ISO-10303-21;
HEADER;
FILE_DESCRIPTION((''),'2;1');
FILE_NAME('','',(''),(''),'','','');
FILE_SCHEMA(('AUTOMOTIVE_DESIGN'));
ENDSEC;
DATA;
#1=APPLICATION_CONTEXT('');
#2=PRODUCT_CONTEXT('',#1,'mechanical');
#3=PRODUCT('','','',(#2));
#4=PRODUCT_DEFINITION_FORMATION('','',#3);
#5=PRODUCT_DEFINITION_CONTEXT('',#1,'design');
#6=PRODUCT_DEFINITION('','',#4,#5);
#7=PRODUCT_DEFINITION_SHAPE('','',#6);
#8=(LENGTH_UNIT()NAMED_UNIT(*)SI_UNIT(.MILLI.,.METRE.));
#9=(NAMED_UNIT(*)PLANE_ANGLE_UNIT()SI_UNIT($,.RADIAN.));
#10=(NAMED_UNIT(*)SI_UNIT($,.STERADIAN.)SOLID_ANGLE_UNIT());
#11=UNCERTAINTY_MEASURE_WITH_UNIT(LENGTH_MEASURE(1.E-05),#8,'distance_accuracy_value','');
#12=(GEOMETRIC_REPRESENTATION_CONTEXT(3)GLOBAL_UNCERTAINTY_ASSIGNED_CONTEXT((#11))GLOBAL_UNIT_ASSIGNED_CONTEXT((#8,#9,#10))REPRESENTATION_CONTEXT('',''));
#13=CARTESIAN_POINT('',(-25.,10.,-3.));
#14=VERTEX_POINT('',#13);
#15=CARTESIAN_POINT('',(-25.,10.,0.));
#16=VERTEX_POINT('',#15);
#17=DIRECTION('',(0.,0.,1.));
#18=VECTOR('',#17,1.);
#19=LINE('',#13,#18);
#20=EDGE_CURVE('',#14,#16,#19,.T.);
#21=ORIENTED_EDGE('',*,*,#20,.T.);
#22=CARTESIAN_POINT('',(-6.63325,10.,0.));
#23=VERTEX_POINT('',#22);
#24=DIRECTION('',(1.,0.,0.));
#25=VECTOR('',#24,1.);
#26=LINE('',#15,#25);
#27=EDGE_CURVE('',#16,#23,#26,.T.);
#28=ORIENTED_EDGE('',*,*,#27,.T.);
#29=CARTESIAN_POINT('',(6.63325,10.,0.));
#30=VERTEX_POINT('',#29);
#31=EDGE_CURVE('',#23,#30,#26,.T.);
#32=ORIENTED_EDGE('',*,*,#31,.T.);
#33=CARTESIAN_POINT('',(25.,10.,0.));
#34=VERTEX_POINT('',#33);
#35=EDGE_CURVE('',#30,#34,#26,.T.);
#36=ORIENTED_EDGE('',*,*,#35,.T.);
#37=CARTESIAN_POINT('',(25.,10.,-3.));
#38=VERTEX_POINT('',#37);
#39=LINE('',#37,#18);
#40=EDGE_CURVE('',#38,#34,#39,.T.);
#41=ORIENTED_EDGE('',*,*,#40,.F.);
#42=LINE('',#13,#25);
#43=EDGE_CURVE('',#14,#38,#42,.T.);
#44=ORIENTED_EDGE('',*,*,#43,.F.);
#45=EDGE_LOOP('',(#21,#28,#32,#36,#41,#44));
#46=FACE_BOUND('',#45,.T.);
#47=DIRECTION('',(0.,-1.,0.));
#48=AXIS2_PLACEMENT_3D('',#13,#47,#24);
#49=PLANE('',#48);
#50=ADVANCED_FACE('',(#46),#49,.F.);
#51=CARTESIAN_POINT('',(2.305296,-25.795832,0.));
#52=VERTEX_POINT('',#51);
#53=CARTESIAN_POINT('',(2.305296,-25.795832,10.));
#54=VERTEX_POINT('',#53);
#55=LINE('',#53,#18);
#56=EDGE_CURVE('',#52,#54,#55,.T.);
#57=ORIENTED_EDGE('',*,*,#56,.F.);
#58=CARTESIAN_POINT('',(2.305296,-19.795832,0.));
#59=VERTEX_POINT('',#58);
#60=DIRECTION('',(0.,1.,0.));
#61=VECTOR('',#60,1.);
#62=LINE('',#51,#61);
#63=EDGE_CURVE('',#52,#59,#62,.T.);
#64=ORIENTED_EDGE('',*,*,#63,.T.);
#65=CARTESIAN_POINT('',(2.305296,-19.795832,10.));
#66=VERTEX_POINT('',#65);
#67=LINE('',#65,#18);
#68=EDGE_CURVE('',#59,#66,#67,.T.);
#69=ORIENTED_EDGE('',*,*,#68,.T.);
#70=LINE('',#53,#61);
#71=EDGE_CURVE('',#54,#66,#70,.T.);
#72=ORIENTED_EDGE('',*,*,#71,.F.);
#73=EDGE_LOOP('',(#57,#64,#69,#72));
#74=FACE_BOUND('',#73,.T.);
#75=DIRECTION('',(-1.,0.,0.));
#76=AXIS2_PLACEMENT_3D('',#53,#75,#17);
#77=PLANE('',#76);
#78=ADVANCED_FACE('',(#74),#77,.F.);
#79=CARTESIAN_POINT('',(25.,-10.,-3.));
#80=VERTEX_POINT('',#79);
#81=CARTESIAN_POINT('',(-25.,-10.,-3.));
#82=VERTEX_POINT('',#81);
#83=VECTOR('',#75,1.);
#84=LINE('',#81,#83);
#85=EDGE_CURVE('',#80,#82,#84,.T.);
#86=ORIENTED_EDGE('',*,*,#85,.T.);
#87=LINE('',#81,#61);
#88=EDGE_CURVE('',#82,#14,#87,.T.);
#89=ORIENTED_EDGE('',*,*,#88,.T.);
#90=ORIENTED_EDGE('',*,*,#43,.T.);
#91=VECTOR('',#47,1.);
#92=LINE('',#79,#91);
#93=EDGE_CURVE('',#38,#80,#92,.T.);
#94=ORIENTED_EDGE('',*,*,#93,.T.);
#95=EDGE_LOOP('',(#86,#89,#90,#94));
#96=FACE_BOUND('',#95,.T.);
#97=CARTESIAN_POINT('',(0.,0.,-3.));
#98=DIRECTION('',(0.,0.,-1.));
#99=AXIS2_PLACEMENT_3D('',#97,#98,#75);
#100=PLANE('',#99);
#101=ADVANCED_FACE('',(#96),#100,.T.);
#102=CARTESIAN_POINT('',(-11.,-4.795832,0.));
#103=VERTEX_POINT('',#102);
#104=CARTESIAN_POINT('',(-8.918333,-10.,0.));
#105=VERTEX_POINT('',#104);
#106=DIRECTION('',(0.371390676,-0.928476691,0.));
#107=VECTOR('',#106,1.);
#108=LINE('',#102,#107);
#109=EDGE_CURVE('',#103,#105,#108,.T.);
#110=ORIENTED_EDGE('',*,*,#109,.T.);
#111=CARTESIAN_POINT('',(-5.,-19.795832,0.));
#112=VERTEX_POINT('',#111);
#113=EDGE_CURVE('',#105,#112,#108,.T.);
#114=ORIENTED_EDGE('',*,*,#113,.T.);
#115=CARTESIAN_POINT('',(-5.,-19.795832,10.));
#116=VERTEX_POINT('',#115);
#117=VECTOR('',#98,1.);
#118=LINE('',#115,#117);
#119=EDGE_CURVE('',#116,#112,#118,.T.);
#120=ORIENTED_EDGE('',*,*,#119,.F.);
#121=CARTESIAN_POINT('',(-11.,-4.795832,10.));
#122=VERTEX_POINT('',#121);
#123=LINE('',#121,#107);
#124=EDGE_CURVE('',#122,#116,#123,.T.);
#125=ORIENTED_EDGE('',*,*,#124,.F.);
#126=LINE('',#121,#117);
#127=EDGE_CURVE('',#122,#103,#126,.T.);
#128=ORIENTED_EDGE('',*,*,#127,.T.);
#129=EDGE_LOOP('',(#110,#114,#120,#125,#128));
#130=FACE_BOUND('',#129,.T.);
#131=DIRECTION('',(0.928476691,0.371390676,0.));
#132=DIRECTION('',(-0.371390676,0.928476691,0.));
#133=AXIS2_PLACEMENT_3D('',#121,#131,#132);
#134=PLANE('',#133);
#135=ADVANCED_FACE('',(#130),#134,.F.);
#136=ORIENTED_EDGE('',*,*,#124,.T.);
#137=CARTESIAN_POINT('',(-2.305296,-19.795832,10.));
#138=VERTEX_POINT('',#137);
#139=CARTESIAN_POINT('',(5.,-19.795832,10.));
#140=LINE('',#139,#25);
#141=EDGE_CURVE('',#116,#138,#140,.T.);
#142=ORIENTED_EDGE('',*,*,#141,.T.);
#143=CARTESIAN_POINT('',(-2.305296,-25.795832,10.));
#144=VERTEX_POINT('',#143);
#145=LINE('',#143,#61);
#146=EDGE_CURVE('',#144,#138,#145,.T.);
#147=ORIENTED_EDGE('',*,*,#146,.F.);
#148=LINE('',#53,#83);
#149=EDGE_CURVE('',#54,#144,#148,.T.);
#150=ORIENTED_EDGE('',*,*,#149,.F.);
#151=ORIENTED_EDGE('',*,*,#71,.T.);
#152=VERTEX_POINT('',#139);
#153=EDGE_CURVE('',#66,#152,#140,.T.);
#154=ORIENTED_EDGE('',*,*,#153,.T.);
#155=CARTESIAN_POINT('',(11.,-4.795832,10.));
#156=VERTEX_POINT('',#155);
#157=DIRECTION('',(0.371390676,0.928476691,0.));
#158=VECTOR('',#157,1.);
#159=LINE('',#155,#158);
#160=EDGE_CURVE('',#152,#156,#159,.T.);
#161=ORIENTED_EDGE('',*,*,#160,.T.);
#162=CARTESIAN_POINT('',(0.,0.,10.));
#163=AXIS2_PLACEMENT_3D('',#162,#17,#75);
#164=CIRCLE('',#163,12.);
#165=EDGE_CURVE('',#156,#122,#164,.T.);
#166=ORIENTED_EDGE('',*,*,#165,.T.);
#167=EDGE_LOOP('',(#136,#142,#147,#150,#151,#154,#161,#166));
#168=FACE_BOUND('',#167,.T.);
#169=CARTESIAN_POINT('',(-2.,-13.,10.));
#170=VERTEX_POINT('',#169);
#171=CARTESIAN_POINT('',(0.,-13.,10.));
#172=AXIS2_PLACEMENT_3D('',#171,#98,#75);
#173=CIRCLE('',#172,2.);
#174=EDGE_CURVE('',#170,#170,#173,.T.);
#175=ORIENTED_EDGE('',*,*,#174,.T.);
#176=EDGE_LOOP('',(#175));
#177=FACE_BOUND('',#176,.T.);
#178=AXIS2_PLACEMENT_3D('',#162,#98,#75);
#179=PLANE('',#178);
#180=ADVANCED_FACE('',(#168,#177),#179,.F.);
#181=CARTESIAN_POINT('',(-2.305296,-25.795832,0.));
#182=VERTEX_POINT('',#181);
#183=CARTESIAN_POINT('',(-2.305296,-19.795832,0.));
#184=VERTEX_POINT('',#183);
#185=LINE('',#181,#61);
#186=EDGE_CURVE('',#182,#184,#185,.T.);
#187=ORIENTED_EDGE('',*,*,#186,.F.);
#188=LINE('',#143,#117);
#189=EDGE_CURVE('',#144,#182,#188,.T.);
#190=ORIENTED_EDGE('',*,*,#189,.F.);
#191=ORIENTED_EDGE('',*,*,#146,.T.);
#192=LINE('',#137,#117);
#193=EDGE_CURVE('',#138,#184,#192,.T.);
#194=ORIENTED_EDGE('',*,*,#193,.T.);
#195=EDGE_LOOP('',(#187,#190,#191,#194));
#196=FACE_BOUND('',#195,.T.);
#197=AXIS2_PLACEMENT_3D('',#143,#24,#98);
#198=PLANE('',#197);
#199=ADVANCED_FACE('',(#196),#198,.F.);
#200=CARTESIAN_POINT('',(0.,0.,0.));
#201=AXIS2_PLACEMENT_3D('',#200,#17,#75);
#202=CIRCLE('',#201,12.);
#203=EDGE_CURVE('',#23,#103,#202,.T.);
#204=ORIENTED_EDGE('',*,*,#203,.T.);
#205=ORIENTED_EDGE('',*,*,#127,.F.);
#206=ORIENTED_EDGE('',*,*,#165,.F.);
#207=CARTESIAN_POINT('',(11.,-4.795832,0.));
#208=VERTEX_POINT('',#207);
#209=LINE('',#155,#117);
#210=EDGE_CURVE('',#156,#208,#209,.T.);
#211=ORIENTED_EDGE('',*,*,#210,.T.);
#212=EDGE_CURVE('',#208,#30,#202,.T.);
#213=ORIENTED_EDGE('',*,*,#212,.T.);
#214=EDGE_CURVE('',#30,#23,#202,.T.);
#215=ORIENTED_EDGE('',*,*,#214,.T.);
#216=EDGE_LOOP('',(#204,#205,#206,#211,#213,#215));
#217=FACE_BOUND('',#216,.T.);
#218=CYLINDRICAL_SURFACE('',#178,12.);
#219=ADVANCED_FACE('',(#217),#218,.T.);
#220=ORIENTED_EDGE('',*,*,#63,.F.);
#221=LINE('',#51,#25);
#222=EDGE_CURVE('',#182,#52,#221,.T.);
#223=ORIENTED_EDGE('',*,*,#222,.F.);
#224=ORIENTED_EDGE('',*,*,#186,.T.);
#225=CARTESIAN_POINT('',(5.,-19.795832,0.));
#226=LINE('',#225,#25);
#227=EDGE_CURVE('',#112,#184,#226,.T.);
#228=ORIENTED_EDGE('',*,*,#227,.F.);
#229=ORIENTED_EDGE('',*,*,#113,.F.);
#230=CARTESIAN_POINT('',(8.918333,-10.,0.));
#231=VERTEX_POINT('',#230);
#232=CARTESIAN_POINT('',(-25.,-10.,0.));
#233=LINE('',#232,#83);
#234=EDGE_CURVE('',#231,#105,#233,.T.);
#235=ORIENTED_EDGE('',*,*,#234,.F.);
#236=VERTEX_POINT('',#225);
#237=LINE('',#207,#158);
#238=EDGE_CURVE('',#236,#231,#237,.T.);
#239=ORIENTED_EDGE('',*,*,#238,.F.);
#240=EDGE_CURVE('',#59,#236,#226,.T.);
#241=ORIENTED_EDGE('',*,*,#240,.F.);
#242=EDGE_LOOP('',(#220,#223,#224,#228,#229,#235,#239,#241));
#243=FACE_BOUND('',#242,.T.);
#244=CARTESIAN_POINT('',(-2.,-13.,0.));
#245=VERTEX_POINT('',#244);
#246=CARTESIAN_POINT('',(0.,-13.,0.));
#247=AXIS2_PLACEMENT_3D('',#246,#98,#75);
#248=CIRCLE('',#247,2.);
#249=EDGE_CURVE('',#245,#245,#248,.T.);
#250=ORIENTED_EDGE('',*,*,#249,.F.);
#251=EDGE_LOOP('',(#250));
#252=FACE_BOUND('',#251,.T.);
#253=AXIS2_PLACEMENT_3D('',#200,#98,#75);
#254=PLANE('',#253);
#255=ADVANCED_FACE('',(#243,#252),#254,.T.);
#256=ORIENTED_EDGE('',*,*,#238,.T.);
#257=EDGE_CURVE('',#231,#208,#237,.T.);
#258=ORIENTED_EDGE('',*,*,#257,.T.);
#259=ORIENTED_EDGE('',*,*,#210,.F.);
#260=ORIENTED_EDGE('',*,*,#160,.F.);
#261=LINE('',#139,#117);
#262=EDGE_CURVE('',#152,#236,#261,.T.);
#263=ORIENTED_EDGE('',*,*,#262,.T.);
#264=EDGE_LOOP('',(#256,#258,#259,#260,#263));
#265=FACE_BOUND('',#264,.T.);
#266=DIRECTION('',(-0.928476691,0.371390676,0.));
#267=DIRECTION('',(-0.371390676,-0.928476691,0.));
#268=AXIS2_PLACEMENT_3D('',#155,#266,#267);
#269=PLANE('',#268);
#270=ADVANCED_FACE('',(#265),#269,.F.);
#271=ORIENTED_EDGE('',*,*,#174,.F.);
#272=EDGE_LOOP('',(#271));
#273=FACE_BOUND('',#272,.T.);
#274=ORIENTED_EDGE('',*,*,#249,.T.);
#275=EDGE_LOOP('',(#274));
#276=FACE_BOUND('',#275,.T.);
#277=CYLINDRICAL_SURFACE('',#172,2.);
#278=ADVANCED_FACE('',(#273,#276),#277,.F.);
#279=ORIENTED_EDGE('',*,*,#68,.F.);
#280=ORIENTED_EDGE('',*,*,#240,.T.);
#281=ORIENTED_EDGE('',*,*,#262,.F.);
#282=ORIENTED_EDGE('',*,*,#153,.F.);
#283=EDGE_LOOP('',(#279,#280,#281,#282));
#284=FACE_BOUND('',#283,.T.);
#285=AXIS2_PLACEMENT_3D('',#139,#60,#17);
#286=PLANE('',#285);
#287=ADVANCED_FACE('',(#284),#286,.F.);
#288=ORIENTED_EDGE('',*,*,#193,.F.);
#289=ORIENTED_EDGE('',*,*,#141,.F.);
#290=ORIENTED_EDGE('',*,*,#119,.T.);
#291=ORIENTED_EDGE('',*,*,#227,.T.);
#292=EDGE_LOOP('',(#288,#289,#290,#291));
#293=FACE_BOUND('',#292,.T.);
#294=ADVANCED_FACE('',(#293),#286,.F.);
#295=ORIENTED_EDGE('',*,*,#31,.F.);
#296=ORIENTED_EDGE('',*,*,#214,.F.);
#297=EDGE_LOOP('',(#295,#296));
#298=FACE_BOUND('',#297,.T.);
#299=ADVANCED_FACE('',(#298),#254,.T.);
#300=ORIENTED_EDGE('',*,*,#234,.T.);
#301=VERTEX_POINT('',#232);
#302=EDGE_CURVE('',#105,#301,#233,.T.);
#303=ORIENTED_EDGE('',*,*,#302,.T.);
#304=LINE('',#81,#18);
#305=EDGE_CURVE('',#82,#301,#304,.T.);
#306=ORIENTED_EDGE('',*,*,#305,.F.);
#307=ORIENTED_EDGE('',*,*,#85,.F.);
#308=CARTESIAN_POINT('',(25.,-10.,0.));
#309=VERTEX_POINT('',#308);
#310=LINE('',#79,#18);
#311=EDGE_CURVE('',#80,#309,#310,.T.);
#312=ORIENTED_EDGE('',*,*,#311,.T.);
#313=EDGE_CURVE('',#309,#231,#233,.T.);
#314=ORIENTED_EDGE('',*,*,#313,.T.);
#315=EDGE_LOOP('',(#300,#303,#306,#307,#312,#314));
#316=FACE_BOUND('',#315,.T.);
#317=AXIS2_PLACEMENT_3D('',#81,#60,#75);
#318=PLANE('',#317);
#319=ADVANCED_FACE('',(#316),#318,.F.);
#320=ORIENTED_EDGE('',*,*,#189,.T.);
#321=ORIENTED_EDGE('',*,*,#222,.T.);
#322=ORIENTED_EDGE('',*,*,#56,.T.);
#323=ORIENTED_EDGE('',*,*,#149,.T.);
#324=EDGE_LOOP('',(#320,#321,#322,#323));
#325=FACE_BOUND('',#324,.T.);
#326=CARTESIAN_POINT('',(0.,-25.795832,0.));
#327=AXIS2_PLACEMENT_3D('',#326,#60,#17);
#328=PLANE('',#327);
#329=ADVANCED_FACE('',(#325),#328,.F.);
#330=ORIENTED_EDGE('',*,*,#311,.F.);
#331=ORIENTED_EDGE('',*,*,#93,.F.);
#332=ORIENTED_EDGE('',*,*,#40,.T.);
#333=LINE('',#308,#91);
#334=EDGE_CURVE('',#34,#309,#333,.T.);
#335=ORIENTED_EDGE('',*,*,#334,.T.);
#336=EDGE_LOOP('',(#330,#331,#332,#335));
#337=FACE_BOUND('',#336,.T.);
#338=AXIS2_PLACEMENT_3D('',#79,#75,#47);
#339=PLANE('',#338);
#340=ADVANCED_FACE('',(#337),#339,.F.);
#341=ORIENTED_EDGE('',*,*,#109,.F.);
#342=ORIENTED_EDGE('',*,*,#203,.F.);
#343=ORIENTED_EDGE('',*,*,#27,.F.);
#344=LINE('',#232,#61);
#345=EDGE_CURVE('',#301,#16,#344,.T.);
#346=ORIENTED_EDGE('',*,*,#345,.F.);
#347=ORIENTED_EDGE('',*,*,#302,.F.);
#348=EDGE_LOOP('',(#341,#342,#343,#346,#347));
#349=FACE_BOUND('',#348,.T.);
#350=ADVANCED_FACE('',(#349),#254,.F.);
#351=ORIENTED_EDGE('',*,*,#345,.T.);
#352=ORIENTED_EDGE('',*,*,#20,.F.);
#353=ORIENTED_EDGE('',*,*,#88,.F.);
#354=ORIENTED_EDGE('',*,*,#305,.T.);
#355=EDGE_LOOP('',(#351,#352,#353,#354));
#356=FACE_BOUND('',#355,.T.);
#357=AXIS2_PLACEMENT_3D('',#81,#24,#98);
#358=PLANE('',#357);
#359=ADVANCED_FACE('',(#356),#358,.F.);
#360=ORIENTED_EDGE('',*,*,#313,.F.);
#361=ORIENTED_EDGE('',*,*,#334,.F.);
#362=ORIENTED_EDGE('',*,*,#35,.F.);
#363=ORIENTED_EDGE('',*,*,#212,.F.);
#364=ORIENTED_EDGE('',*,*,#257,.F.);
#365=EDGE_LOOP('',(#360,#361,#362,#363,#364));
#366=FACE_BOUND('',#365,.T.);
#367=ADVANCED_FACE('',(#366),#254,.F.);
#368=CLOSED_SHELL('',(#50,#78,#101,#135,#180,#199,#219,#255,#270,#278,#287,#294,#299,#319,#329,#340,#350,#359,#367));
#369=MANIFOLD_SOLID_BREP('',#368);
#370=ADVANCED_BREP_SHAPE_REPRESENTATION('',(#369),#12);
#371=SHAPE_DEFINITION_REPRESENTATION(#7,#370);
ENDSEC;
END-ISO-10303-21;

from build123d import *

# Parameters (mm, degrees)
BOSS_EXTRU_1_DEPTH      = 10
ESQUISSE2_R             = 2
ENL_V_MAT_EXTRU_1_DEPTH = 10
ESQUISSE4_W             = 4.610591942
ESQUISSE4_H             = 10
BOSS_EXTRU_3_DEPTH      = 6
ESQUISSE3_W             = 50
ESQUISSE3_H             = 20
BOSS_EXTRU_2_DEPTH      = 3


with BuildPart() as part:
    # Esquisse1 → Boss.-Extru.1 (new body)
    with BuildSketch(Plane.XY):
        with BuildLine():
            Line((-11, -4.795831523), (-5, -19.795831523))
            Line((-5, -19.795831523), (5, -19.795831523))
            Line((5, -19.795831523), (11, -4.795831523))
            ThreePointArc((11, -4.795831523), (0, 12), (-11, -4.795831523))
        make_face()
    extrude(amount=BOSS_EXTRU_1_DEPTH)

    # Esquisse2 → Enlèv. mat.-Extru.1 (cut)
    with BuildSketch(Plane(origin=(0, 0, 0), x_dir=(-1, 0, 0), z_dir=(0, 0, -1))):
        with Locations((0, -13)):
            Circle(ESQUISSE2_R)
    extrude(amount=-ENL_V_MAT_EXTRU_1_DEPTH, mode=Mode.SUBTRACT)

    # Esquisse4 → Boss.-Extru.3 (add)
    with BuildSketch(Plane(origin=(0, -19.795831523, 0), x_dir=(-1, 0, 0), z_dir=(0, -1, 0))):
        with Locations((0, -5)):
            Rectangle(ESQUISSE4_W, ESQUISSE4_H)
    extrude(amount=BOSS_EXTRU_3_DEPTH)

    # Esquisse3 → Boss.-Extru.2 (add)
    with BuildSketch(Plane(origin=(0, 0, 0), x_dir=(-1, 0, 0), z_dir=(0, 0, -1))):
        Rectangle(ESQUISSE3_W, ESQUISSE3_H)
    extrude(amount=BOSS_EXTRU_2_DEPTH)


solid = part.part
